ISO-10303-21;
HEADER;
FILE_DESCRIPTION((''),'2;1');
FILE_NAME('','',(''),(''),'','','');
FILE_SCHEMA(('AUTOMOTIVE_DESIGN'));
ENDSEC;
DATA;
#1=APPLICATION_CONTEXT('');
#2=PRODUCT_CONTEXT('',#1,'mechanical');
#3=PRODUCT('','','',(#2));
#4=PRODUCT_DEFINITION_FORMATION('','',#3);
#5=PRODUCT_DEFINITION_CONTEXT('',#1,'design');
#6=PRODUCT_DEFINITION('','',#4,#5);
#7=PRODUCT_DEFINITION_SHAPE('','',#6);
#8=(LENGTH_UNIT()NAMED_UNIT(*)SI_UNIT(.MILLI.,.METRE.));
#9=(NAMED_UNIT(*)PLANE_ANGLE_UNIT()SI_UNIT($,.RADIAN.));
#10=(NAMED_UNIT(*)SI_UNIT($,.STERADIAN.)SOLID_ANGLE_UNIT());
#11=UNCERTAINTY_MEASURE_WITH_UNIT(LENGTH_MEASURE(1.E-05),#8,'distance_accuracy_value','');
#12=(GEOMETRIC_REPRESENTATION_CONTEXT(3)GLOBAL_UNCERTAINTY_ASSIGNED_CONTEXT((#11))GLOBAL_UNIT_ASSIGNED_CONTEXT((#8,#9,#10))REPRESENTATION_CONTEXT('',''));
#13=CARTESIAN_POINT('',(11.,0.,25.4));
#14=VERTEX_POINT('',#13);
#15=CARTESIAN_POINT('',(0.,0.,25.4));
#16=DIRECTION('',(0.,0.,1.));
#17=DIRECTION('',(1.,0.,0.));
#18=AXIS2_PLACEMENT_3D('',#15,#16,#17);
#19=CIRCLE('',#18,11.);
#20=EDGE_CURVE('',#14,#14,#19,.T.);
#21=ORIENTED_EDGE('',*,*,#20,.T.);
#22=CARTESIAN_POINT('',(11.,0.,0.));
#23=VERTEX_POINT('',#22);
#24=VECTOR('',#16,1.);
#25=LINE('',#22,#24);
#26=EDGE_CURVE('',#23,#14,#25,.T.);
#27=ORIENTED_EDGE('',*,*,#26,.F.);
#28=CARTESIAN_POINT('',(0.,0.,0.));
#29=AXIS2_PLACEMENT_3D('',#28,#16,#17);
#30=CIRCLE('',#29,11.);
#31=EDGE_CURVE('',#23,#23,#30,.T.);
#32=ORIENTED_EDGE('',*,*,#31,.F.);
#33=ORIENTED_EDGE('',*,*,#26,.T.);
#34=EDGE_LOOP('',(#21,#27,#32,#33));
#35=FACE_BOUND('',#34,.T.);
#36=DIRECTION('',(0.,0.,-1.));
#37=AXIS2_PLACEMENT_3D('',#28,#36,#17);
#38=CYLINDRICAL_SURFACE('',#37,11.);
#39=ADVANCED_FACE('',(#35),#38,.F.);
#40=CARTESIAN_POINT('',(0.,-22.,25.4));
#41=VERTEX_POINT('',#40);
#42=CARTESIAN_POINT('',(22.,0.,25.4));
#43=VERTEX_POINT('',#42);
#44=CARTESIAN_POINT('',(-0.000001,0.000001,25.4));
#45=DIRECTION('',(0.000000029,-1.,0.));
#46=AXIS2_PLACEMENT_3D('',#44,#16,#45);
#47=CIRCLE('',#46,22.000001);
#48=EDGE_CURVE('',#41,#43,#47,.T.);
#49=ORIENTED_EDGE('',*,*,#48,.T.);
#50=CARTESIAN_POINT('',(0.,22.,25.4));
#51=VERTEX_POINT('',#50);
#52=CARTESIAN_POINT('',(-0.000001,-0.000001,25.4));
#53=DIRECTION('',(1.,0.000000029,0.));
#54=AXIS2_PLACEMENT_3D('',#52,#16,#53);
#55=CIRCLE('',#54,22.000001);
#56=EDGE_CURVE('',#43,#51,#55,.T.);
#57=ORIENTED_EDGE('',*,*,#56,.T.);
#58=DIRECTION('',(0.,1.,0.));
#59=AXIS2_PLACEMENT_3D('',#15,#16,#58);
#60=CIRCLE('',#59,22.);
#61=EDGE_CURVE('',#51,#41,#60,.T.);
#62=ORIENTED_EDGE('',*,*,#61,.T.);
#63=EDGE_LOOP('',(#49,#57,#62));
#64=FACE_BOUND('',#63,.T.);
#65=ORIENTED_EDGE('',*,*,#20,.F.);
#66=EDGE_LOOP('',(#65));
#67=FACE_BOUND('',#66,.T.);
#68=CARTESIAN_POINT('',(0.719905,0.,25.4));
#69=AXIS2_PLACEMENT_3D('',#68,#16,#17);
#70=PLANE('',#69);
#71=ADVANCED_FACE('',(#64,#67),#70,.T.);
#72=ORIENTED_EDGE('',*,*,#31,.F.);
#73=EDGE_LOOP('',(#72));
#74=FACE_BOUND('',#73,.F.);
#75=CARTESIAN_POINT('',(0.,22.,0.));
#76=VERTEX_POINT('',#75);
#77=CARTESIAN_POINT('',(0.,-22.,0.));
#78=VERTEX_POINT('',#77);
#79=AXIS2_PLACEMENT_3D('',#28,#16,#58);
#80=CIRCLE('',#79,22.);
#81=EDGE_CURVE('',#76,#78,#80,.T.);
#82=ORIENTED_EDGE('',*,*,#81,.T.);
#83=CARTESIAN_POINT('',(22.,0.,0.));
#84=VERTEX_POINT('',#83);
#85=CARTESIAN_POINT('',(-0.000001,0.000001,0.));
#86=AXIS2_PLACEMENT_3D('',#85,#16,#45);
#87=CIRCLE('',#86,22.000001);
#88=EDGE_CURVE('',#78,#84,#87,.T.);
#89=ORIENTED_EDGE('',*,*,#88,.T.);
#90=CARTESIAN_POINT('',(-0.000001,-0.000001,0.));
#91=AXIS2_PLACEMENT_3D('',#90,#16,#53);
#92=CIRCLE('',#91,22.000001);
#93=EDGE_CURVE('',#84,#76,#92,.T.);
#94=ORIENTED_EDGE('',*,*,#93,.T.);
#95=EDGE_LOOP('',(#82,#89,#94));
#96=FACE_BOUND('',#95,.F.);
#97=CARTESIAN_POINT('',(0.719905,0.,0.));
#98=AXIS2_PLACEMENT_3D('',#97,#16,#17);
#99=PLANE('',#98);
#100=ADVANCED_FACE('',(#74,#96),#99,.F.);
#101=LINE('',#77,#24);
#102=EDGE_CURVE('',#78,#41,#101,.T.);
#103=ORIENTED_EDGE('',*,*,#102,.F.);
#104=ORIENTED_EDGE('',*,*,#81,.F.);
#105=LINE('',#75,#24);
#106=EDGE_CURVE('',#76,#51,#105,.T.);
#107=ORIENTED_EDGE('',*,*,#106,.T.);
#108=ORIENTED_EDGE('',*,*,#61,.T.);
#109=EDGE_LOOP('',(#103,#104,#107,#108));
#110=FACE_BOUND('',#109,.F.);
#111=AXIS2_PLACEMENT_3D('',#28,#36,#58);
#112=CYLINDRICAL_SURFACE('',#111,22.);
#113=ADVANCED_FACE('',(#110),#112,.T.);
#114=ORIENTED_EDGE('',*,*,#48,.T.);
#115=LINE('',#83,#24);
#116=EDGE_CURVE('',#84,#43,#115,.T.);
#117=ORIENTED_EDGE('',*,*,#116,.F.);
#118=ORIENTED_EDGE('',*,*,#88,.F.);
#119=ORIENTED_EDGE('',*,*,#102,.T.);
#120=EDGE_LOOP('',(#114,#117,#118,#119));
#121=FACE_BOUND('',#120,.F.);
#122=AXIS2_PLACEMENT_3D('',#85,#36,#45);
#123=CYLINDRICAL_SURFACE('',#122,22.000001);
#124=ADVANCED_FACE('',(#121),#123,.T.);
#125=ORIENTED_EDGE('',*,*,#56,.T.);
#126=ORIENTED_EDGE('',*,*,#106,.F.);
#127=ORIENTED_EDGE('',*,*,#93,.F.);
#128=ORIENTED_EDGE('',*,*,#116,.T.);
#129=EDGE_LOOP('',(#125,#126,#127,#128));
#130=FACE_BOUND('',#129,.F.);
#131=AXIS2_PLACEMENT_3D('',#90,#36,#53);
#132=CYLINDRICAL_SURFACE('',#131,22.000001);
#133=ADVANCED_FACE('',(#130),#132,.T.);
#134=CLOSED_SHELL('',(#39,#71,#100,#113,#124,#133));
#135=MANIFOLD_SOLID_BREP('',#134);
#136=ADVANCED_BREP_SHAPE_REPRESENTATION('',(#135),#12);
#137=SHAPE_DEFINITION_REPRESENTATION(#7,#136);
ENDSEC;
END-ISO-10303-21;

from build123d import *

# Parameters (mm, degrees)
F0_R     = 11
F1_DEPTH = 25.4


with BuildPart() as f1:
    # F0 (on Top) → F1 (new body)
    with BuildSketch(Plane.XY):
        with BuildLine():
            ThreePointArc((0, -22), (15.556349, -15.556349), (22, 0))
            ThreePointArc((22, 0), (15.556349, 15.556349), (0, 22))
            ThreePointArc((0, 22), (-22, 0), (0, -22))
        make_face()
        Circle(F0_R, mode=Mode.SUBTRACT)
    extrude(amount=F1_DEPTH)


solid = f1.part
